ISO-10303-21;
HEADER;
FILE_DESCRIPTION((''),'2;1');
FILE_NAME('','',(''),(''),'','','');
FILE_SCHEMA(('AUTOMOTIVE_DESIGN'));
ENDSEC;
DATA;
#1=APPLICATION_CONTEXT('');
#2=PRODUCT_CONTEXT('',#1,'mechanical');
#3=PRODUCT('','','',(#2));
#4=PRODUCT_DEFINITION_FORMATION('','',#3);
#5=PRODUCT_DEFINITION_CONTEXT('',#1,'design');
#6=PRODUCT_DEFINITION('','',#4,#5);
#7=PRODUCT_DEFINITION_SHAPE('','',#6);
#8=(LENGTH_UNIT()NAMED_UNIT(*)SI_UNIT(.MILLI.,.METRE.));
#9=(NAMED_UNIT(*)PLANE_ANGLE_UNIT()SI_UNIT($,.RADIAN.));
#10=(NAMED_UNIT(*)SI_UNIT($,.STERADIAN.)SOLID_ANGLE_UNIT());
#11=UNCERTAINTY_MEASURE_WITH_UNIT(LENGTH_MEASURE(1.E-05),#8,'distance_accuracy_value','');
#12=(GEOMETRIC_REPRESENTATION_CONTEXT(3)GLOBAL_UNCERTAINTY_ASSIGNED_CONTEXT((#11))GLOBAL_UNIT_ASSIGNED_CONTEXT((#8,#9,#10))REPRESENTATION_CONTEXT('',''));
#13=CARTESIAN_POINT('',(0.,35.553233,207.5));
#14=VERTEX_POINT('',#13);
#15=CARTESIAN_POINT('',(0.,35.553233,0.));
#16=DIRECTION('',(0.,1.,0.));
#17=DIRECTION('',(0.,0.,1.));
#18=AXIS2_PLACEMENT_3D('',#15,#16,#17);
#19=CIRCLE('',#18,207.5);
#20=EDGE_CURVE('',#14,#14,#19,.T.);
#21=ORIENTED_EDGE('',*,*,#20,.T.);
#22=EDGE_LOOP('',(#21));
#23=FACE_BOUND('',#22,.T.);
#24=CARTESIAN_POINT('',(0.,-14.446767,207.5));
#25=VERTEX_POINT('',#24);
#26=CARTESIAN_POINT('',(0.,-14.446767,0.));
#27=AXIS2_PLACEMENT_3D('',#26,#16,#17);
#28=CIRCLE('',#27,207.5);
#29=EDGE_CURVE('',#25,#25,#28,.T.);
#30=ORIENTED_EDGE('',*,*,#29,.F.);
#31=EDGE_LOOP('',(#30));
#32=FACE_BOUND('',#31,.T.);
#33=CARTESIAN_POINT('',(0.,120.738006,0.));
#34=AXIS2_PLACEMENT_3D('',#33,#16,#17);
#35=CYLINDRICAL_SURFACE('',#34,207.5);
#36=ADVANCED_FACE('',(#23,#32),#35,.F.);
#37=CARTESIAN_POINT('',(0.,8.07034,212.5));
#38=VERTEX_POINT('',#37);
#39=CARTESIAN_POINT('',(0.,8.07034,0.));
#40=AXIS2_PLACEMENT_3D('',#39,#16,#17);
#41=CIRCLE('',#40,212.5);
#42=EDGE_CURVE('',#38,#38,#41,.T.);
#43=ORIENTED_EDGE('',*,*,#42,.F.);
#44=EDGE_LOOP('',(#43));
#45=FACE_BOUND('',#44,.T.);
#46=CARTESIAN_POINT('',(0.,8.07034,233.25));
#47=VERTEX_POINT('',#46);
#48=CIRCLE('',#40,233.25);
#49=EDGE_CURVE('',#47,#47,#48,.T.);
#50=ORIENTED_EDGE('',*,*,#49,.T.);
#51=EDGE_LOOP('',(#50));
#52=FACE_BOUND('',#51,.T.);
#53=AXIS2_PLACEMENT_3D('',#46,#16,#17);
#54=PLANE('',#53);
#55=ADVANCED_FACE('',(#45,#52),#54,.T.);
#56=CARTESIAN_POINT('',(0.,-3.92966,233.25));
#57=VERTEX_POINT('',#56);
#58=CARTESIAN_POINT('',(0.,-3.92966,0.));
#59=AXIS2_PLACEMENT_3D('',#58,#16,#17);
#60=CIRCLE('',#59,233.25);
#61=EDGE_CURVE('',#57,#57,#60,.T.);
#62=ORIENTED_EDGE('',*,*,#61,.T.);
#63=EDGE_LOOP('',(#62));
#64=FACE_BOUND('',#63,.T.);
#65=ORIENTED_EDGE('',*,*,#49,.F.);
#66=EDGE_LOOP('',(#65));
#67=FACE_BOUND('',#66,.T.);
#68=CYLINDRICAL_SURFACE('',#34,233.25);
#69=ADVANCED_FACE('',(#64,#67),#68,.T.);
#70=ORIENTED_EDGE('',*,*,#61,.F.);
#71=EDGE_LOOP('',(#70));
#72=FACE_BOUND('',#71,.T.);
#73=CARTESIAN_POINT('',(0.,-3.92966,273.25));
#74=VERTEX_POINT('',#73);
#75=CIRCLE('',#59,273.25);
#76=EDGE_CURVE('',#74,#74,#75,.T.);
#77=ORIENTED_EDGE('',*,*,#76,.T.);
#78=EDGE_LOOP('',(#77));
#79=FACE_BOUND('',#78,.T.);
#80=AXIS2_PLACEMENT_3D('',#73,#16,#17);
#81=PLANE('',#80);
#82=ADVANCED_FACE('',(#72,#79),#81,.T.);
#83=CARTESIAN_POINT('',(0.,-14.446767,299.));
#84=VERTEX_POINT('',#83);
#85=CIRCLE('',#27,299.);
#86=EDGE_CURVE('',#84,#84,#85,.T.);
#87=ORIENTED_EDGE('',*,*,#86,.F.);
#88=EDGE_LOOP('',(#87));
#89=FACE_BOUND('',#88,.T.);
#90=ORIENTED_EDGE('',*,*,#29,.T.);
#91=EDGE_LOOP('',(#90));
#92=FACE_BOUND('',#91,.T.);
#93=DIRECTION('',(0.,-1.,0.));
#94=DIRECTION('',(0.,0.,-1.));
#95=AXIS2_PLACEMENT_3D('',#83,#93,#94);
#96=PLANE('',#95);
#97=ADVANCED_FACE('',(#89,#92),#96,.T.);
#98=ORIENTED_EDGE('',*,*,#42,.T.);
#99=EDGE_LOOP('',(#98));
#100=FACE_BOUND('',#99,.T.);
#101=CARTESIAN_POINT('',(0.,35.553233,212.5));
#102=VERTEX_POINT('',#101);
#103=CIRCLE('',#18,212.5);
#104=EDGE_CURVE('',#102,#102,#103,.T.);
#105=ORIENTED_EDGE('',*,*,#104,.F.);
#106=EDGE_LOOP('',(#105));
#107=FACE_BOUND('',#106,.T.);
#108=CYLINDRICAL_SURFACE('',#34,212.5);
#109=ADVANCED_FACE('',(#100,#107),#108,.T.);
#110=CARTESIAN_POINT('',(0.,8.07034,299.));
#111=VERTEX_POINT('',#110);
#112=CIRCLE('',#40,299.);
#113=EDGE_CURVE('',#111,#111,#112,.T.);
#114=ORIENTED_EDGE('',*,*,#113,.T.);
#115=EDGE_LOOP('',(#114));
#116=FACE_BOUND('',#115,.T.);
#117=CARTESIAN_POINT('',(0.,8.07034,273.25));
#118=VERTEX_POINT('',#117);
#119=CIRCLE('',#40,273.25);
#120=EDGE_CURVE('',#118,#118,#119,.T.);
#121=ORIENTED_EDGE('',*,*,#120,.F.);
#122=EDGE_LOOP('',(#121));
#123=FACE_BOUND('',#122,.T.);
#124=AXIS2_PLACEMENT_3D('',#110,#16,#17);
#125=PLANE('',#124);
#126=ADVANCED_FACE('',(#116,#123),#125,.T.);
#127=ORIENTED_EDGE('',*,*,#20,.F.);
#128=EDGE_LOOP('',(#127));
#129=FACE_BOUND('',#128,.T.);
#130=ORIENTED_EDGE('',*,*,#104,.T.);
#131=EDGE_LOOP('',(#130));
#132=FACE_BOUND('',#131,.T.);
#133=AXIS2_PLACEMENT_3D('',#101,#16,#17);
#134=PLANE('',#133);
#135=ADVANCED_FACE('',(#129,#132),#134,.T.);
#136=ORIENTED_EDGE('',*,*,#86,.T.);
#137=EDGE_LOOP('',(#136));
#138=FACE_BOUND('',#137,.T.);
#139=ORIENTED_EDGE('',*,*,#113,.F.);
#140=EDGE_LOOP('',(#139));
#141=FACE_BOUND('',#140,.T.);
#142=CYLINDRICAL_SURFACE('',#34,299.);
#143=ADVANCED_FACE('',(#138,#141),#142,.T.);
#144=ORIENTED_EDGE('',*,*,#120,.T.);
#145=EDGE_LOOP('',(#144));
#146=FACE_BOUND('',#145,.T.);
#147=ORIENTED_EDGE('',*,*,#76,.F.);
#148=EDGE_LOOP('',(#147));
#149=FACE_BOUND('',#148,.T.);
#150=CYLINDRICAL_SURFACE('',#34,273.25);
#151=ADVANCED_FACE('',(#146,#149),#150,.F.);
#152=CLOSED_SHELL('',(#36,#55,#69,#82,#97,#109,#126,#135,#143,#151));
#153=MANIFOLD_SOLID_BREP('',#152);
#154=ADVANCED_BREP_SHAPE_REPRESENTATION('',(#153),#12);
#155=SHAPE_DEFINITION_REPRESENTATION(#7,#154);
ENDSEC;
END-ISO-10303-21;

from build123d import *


with BuildPart() as part:
    # Sketch3 → Revolve1 (revolve)
    with BuildSketch(Plane(origin=(0, 0, 0), x_dir=(0, 0, -1), z_dir=(1, 0, 0))):
        Polygon((-212.5, 8.070339729), (-212.5, 35.553232656), (-207.5, 35.553232656), (-207.5, 8.070339729), (-207.5, -14.446767344), (-299, -14.446767344), (-299, 8.070339729), (-273.25, 8.070339729), (-273.25, -3.929660271), (-233.25, -3.929660271), (-233.25, 8.070339729), align=None)
    revolve(axis=Axis((0, 120.738006406, 0), (0, -1, 0)))


solid = part.part
